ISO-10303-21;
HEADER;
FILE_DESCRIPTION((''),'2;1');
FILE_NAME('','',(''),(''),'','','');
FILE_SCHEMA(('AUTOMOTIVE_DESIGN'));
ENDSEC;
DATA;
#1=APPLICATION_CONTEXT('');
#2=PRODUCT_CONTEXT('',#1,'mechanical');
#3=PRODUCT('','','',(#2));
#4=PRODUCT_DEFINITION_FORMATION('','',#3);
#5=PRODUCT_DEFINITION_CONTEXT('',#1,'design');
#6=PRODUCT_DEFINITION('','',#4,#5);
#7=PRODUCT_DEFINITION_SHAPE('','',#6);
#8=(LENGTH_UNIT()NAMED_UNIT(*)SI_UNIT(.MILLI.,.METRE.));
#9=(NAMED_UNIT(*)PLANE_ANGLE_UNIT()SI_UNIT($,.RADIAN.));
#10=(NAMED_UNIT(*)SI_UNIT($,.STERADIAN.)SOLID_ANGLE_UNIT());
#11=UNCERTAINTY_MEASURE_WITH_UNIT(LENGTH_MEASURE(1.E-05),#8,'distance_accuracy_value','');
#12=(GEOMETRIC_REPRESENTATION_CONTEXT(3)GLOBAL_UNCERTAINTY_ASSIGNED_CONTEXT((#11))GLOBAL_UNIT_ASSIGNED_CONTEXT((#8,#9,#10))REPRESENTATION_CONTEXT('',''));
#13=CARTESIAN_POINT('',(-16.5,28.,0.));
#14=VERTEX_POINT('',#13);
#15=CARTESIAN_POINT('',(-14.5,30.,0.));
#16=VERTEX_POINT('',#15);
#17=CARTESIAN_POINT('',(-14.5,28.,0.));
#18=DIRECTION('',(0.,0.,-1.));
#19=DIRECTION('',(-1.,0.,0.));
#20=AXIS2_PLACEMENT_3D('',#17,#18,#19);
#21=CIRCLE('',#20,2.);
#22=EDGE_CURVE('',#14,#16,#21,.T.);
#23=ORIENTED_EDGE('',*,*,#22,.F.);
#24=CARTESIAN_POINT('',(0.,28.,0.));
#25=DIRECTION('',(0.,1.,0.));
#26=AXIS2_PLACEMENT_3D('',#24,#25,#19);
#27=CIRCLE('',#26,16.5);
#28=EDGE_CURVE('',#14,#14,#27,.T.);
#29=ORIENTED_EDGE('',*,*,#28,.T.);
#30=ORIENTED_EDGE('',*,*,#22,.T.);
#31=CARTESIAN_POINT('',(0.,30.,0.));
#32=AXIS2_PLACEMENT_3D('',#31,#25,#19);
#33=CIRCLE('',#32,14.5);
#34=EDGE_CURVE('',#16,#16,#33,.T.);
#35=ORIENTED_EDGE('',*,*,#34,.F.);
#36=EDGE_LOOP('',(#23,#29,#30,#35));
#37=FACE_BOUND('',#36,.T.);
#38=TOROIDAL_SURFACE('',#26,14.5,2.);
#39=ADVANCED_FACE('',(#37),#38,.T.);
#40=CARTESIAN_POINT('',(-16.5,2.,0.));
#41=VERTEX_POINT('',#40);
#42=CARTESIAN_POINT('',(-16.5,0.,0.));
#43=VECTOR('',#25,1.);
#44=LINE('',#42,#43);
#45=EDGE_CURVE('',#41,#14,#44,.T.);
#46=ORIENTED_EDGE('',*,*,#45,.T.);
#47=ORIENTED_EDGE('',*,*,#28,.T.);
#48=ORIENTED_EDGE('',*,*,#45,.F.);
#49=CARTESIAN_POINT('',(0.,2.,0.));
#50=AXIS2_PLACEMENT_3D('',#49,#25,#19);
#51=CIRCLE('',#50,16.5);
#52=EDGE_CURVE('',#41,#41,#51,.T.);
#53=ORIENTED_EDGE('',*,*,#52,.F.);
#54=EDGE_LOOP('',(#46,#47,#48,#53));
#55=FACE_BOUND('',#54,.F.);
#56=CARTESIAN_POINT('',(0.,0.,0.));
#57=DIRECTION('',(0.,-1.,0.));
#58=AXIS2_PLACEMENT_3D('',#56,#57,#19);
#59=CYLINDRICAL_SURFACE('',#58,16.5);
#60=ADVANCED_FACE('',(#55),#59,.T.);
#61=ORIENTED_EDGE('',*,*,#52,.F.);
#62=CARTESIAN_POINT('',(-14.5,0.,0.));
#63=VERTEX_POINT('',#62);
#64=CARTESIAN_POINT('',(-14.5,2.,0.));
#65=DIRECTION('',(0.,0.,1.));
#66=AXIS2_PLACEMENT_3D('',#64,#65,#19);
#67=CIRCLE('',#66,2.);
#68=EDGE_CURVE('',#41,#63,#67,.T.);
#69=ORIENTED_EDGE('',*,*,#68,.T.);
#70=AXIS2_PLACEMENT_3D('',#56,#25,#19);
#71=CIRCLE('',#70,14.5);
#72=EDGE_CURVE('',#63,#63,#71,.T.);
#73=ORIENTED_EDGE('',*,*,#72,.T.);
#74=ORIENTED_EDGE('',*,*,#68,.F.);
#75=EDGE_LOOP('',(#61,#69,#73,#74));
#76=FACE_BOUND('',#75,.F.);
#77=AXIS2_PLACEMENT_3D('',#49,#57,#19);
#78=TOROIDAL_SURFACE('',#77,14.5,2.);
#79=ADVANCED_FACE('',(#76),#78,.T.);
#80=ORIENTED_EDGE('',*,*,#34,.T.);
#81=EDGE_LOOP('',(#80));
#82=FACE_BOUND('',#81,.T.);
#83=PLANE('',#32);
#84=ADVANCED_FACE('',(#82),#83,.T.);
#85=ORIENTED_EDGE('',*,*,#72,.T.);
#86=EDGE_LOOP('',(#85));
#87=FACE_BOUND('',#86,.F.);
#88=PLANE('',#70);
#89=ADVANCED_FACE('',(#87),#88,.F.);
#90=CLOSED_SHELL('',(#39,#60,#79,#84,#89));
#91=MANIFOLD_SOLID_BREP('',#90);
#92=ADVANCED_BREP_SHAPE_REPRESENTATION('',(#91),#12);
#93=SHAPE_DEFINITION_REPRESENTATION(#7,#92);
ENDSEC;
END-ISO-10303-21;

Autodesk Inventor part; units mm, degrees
ref_plane "YZ Plane" through (0, 0, 0) normal (1, 0, 0) x (0, 1, 0)
ref_plane "XZ Plane" through (0, 0, 0) normal (0, 1, 0) x (-1, 0, 0)
ref_plane "XY Plane" through (0, 0, 0) normal (0, 0, 1) x (1, 0, 0)
sketch "Sketch1" plane through (0, 0, 0) normal (0, 1, 0) x (-1, 0, 0)
  circle A0 centre (0, 0) radius 16.5
  dimension "d0" = 33
extrude "Extrusion1" add sketch "Sketch1" along normal blind 30
fillet "Fillet1" radius 2 2 edges at (16.5, 30, 0) (16.5, 0, 0)
properties part number "turbidity-sensor"
